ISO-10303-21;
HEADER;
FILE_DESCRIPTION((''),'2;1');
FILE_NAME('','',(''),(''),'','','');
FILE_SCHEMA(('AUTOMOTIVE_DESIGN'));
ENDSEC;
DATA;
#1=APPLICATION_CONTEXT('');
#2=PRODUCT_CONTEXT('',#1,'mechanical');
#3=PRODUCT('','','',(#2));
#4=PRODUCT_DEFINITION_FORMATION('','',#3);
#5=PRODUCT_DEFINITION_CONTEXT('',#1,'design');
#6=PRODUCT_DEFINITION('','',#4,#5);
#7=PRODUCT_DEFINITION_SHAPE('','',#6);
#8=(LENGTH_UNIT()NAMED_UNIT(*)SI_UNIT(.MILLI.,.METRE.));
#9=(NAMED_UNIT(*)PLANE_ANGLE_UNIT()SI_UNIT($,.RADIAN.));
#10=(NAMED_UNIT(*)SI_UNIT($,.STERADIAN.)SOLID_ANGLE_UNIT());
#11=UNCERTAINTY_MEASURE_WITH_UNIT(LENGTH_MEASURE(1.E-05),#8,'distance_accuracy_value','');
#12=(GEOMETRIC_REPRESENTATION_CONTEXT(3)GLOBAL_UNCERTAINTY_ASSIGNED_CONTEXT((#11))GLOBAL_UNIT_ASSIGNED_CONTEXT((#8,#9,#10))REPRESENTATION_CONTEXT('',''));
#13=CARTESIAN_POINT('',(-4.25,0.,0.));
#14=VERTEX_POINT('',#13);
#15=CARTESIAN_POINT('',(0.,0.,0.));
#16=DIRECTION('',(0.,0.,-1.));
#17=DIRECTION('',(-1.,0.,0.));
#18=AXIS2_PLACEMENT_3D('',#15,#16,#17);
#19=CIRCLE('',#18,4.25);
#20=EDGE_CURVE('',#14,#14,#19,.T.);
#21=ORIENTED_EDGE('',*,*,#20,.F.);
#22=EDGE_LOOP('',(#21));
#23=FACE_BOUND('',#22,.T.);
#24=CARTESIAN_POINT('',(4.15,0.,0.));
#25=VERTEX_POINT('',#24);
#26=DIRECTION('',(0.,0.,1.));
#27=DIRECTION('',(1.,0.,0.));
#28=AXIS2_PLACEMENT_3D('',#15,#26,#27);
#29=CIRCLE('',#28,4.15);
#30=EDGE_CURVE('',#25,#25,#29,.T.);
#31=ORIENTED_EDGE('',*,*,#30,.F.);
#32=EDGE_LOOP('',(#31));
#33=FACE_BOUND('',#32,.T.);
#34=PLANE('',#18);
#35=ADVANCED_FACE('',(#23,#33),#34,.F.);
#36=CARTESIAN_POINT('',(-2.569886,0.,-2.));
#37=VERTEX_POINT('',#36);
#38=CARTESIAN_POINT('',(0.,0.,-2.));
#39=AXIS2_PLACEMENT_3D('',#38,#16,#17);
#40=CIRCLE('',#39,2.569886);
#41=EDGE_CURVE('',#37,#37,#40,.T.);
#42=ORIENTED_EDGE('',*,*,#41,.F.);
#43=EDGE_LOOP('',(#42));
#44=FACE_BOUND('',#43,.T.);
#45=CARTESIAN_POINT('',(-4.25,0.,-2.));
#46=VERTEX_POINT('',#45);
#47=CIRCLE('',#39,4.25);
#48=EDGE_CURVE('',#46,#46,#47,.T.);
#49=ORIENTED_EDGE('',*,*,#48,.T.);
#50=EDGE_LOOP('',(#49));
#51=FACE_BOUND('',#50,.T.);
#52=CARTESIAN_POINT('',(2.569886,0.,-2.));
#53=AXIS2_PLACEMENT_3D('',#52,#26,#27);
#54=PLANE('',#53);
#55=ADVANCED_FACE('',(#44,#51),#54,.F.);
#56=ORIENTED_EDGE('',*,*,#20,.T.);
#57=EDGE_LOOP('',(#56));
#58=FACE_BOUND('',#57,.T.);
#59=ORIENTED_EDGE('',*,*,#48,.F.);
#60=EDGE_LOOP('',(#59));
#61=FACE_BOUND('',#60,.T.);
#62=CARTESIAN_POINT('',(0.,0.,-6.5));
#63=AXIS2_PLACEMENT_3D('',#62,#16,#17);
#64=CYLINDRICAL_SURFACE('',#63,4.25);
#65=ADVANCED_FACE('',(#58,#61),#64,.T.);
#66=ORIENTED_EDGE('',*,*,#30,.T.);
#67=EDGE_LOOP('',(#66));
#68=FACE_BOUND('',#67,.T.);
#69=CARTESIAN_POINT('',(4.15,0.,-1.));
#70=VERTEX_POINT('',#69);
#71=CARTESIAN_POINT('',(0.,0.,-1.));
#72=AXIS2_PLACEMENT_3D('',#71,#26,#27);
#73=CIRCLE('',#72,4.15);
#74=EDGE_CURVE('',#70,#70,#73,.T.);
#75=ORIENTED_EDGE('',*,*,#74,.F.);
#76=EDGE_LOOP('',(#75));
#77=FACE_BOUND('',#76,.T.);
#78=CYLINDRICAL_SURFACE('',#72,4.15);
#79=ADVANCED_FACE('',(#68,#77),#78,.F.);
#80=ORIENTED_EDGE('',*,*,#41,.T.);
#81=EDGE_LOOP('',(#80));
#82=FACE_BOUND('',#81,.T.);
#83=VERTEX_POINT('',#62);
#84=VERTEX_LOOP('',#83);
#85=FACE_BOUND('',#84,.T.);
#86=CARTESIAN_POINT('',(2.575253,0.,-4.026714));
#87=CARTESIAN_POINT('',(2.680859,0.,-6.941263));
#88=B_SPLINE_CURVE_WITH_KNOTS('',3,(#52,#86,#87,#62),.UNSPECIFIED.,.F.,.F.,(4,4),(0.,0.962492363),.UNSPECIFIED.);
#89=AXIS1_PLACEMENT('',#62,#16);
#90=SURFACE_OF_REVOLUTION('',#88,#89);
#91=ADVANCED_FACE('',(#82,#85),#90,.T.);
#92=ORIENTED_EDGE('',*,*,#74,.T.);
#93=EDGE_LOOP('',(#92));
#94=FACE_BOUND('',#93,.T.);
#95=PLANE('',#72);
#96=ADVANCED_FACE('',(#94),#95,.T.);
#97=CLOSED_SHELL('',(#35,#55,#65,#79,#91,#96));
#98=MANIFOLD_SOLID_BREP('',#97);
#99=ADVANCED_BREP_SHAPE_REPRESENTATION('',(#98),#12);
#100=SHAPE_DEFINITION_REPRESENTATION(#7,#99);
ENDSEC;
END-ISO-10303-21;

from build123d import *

# Parameters (mm, degrees)
SKETCH2_R          = 4.15
CUT_EXTRUDE1_DEPTH = 1


with BuildPart() as part:
    # Sketch1 → Revolve2 (revolve)
    with BuildSketch(Plane(origin=(0, 0, 0), x_dir=(1, 0, 0), z_dir=(0, 1, 0)), mode=Mode.PRIVATE) as revolve2_sk:
        with BuildLine():
            Line((0, 6.5), (0, 2))
            Line((0, 2), (0, 0))
            Line((0, 0), (4.25, 0))
            Line((4.25, 0), (4.25, 2))
            Line((4.25, 2), (2.569885929, 2))
            add(Edge.make_bspline(
                [(0, 6.5), (2.680858579, 6.941262723), (2.575253376, 4.026713707), (2.569885929, 2)],
                knots=[0, 0, 0, 0, 0.962492363, 0.962492363, 0.962492363, 0.962492363], degree=3))
        make_face()
    revolve(revolve2_sk.sketch.rotate(Axis((0, 0, -6.5), (0, 0, 1)), 180), axis=Axis((0, 0, -6.5), (0, 0, 1)))

    # Sketch2 → Cut-Extrude1 (cut)
    with BuildSketch(Plane.XY):
        Circle(SKETCH2_R)
    extrude(amount=-CUT_EXTRUDE1_DEPTH, mode=Mode.SUBTRACT)


solid = part.part
